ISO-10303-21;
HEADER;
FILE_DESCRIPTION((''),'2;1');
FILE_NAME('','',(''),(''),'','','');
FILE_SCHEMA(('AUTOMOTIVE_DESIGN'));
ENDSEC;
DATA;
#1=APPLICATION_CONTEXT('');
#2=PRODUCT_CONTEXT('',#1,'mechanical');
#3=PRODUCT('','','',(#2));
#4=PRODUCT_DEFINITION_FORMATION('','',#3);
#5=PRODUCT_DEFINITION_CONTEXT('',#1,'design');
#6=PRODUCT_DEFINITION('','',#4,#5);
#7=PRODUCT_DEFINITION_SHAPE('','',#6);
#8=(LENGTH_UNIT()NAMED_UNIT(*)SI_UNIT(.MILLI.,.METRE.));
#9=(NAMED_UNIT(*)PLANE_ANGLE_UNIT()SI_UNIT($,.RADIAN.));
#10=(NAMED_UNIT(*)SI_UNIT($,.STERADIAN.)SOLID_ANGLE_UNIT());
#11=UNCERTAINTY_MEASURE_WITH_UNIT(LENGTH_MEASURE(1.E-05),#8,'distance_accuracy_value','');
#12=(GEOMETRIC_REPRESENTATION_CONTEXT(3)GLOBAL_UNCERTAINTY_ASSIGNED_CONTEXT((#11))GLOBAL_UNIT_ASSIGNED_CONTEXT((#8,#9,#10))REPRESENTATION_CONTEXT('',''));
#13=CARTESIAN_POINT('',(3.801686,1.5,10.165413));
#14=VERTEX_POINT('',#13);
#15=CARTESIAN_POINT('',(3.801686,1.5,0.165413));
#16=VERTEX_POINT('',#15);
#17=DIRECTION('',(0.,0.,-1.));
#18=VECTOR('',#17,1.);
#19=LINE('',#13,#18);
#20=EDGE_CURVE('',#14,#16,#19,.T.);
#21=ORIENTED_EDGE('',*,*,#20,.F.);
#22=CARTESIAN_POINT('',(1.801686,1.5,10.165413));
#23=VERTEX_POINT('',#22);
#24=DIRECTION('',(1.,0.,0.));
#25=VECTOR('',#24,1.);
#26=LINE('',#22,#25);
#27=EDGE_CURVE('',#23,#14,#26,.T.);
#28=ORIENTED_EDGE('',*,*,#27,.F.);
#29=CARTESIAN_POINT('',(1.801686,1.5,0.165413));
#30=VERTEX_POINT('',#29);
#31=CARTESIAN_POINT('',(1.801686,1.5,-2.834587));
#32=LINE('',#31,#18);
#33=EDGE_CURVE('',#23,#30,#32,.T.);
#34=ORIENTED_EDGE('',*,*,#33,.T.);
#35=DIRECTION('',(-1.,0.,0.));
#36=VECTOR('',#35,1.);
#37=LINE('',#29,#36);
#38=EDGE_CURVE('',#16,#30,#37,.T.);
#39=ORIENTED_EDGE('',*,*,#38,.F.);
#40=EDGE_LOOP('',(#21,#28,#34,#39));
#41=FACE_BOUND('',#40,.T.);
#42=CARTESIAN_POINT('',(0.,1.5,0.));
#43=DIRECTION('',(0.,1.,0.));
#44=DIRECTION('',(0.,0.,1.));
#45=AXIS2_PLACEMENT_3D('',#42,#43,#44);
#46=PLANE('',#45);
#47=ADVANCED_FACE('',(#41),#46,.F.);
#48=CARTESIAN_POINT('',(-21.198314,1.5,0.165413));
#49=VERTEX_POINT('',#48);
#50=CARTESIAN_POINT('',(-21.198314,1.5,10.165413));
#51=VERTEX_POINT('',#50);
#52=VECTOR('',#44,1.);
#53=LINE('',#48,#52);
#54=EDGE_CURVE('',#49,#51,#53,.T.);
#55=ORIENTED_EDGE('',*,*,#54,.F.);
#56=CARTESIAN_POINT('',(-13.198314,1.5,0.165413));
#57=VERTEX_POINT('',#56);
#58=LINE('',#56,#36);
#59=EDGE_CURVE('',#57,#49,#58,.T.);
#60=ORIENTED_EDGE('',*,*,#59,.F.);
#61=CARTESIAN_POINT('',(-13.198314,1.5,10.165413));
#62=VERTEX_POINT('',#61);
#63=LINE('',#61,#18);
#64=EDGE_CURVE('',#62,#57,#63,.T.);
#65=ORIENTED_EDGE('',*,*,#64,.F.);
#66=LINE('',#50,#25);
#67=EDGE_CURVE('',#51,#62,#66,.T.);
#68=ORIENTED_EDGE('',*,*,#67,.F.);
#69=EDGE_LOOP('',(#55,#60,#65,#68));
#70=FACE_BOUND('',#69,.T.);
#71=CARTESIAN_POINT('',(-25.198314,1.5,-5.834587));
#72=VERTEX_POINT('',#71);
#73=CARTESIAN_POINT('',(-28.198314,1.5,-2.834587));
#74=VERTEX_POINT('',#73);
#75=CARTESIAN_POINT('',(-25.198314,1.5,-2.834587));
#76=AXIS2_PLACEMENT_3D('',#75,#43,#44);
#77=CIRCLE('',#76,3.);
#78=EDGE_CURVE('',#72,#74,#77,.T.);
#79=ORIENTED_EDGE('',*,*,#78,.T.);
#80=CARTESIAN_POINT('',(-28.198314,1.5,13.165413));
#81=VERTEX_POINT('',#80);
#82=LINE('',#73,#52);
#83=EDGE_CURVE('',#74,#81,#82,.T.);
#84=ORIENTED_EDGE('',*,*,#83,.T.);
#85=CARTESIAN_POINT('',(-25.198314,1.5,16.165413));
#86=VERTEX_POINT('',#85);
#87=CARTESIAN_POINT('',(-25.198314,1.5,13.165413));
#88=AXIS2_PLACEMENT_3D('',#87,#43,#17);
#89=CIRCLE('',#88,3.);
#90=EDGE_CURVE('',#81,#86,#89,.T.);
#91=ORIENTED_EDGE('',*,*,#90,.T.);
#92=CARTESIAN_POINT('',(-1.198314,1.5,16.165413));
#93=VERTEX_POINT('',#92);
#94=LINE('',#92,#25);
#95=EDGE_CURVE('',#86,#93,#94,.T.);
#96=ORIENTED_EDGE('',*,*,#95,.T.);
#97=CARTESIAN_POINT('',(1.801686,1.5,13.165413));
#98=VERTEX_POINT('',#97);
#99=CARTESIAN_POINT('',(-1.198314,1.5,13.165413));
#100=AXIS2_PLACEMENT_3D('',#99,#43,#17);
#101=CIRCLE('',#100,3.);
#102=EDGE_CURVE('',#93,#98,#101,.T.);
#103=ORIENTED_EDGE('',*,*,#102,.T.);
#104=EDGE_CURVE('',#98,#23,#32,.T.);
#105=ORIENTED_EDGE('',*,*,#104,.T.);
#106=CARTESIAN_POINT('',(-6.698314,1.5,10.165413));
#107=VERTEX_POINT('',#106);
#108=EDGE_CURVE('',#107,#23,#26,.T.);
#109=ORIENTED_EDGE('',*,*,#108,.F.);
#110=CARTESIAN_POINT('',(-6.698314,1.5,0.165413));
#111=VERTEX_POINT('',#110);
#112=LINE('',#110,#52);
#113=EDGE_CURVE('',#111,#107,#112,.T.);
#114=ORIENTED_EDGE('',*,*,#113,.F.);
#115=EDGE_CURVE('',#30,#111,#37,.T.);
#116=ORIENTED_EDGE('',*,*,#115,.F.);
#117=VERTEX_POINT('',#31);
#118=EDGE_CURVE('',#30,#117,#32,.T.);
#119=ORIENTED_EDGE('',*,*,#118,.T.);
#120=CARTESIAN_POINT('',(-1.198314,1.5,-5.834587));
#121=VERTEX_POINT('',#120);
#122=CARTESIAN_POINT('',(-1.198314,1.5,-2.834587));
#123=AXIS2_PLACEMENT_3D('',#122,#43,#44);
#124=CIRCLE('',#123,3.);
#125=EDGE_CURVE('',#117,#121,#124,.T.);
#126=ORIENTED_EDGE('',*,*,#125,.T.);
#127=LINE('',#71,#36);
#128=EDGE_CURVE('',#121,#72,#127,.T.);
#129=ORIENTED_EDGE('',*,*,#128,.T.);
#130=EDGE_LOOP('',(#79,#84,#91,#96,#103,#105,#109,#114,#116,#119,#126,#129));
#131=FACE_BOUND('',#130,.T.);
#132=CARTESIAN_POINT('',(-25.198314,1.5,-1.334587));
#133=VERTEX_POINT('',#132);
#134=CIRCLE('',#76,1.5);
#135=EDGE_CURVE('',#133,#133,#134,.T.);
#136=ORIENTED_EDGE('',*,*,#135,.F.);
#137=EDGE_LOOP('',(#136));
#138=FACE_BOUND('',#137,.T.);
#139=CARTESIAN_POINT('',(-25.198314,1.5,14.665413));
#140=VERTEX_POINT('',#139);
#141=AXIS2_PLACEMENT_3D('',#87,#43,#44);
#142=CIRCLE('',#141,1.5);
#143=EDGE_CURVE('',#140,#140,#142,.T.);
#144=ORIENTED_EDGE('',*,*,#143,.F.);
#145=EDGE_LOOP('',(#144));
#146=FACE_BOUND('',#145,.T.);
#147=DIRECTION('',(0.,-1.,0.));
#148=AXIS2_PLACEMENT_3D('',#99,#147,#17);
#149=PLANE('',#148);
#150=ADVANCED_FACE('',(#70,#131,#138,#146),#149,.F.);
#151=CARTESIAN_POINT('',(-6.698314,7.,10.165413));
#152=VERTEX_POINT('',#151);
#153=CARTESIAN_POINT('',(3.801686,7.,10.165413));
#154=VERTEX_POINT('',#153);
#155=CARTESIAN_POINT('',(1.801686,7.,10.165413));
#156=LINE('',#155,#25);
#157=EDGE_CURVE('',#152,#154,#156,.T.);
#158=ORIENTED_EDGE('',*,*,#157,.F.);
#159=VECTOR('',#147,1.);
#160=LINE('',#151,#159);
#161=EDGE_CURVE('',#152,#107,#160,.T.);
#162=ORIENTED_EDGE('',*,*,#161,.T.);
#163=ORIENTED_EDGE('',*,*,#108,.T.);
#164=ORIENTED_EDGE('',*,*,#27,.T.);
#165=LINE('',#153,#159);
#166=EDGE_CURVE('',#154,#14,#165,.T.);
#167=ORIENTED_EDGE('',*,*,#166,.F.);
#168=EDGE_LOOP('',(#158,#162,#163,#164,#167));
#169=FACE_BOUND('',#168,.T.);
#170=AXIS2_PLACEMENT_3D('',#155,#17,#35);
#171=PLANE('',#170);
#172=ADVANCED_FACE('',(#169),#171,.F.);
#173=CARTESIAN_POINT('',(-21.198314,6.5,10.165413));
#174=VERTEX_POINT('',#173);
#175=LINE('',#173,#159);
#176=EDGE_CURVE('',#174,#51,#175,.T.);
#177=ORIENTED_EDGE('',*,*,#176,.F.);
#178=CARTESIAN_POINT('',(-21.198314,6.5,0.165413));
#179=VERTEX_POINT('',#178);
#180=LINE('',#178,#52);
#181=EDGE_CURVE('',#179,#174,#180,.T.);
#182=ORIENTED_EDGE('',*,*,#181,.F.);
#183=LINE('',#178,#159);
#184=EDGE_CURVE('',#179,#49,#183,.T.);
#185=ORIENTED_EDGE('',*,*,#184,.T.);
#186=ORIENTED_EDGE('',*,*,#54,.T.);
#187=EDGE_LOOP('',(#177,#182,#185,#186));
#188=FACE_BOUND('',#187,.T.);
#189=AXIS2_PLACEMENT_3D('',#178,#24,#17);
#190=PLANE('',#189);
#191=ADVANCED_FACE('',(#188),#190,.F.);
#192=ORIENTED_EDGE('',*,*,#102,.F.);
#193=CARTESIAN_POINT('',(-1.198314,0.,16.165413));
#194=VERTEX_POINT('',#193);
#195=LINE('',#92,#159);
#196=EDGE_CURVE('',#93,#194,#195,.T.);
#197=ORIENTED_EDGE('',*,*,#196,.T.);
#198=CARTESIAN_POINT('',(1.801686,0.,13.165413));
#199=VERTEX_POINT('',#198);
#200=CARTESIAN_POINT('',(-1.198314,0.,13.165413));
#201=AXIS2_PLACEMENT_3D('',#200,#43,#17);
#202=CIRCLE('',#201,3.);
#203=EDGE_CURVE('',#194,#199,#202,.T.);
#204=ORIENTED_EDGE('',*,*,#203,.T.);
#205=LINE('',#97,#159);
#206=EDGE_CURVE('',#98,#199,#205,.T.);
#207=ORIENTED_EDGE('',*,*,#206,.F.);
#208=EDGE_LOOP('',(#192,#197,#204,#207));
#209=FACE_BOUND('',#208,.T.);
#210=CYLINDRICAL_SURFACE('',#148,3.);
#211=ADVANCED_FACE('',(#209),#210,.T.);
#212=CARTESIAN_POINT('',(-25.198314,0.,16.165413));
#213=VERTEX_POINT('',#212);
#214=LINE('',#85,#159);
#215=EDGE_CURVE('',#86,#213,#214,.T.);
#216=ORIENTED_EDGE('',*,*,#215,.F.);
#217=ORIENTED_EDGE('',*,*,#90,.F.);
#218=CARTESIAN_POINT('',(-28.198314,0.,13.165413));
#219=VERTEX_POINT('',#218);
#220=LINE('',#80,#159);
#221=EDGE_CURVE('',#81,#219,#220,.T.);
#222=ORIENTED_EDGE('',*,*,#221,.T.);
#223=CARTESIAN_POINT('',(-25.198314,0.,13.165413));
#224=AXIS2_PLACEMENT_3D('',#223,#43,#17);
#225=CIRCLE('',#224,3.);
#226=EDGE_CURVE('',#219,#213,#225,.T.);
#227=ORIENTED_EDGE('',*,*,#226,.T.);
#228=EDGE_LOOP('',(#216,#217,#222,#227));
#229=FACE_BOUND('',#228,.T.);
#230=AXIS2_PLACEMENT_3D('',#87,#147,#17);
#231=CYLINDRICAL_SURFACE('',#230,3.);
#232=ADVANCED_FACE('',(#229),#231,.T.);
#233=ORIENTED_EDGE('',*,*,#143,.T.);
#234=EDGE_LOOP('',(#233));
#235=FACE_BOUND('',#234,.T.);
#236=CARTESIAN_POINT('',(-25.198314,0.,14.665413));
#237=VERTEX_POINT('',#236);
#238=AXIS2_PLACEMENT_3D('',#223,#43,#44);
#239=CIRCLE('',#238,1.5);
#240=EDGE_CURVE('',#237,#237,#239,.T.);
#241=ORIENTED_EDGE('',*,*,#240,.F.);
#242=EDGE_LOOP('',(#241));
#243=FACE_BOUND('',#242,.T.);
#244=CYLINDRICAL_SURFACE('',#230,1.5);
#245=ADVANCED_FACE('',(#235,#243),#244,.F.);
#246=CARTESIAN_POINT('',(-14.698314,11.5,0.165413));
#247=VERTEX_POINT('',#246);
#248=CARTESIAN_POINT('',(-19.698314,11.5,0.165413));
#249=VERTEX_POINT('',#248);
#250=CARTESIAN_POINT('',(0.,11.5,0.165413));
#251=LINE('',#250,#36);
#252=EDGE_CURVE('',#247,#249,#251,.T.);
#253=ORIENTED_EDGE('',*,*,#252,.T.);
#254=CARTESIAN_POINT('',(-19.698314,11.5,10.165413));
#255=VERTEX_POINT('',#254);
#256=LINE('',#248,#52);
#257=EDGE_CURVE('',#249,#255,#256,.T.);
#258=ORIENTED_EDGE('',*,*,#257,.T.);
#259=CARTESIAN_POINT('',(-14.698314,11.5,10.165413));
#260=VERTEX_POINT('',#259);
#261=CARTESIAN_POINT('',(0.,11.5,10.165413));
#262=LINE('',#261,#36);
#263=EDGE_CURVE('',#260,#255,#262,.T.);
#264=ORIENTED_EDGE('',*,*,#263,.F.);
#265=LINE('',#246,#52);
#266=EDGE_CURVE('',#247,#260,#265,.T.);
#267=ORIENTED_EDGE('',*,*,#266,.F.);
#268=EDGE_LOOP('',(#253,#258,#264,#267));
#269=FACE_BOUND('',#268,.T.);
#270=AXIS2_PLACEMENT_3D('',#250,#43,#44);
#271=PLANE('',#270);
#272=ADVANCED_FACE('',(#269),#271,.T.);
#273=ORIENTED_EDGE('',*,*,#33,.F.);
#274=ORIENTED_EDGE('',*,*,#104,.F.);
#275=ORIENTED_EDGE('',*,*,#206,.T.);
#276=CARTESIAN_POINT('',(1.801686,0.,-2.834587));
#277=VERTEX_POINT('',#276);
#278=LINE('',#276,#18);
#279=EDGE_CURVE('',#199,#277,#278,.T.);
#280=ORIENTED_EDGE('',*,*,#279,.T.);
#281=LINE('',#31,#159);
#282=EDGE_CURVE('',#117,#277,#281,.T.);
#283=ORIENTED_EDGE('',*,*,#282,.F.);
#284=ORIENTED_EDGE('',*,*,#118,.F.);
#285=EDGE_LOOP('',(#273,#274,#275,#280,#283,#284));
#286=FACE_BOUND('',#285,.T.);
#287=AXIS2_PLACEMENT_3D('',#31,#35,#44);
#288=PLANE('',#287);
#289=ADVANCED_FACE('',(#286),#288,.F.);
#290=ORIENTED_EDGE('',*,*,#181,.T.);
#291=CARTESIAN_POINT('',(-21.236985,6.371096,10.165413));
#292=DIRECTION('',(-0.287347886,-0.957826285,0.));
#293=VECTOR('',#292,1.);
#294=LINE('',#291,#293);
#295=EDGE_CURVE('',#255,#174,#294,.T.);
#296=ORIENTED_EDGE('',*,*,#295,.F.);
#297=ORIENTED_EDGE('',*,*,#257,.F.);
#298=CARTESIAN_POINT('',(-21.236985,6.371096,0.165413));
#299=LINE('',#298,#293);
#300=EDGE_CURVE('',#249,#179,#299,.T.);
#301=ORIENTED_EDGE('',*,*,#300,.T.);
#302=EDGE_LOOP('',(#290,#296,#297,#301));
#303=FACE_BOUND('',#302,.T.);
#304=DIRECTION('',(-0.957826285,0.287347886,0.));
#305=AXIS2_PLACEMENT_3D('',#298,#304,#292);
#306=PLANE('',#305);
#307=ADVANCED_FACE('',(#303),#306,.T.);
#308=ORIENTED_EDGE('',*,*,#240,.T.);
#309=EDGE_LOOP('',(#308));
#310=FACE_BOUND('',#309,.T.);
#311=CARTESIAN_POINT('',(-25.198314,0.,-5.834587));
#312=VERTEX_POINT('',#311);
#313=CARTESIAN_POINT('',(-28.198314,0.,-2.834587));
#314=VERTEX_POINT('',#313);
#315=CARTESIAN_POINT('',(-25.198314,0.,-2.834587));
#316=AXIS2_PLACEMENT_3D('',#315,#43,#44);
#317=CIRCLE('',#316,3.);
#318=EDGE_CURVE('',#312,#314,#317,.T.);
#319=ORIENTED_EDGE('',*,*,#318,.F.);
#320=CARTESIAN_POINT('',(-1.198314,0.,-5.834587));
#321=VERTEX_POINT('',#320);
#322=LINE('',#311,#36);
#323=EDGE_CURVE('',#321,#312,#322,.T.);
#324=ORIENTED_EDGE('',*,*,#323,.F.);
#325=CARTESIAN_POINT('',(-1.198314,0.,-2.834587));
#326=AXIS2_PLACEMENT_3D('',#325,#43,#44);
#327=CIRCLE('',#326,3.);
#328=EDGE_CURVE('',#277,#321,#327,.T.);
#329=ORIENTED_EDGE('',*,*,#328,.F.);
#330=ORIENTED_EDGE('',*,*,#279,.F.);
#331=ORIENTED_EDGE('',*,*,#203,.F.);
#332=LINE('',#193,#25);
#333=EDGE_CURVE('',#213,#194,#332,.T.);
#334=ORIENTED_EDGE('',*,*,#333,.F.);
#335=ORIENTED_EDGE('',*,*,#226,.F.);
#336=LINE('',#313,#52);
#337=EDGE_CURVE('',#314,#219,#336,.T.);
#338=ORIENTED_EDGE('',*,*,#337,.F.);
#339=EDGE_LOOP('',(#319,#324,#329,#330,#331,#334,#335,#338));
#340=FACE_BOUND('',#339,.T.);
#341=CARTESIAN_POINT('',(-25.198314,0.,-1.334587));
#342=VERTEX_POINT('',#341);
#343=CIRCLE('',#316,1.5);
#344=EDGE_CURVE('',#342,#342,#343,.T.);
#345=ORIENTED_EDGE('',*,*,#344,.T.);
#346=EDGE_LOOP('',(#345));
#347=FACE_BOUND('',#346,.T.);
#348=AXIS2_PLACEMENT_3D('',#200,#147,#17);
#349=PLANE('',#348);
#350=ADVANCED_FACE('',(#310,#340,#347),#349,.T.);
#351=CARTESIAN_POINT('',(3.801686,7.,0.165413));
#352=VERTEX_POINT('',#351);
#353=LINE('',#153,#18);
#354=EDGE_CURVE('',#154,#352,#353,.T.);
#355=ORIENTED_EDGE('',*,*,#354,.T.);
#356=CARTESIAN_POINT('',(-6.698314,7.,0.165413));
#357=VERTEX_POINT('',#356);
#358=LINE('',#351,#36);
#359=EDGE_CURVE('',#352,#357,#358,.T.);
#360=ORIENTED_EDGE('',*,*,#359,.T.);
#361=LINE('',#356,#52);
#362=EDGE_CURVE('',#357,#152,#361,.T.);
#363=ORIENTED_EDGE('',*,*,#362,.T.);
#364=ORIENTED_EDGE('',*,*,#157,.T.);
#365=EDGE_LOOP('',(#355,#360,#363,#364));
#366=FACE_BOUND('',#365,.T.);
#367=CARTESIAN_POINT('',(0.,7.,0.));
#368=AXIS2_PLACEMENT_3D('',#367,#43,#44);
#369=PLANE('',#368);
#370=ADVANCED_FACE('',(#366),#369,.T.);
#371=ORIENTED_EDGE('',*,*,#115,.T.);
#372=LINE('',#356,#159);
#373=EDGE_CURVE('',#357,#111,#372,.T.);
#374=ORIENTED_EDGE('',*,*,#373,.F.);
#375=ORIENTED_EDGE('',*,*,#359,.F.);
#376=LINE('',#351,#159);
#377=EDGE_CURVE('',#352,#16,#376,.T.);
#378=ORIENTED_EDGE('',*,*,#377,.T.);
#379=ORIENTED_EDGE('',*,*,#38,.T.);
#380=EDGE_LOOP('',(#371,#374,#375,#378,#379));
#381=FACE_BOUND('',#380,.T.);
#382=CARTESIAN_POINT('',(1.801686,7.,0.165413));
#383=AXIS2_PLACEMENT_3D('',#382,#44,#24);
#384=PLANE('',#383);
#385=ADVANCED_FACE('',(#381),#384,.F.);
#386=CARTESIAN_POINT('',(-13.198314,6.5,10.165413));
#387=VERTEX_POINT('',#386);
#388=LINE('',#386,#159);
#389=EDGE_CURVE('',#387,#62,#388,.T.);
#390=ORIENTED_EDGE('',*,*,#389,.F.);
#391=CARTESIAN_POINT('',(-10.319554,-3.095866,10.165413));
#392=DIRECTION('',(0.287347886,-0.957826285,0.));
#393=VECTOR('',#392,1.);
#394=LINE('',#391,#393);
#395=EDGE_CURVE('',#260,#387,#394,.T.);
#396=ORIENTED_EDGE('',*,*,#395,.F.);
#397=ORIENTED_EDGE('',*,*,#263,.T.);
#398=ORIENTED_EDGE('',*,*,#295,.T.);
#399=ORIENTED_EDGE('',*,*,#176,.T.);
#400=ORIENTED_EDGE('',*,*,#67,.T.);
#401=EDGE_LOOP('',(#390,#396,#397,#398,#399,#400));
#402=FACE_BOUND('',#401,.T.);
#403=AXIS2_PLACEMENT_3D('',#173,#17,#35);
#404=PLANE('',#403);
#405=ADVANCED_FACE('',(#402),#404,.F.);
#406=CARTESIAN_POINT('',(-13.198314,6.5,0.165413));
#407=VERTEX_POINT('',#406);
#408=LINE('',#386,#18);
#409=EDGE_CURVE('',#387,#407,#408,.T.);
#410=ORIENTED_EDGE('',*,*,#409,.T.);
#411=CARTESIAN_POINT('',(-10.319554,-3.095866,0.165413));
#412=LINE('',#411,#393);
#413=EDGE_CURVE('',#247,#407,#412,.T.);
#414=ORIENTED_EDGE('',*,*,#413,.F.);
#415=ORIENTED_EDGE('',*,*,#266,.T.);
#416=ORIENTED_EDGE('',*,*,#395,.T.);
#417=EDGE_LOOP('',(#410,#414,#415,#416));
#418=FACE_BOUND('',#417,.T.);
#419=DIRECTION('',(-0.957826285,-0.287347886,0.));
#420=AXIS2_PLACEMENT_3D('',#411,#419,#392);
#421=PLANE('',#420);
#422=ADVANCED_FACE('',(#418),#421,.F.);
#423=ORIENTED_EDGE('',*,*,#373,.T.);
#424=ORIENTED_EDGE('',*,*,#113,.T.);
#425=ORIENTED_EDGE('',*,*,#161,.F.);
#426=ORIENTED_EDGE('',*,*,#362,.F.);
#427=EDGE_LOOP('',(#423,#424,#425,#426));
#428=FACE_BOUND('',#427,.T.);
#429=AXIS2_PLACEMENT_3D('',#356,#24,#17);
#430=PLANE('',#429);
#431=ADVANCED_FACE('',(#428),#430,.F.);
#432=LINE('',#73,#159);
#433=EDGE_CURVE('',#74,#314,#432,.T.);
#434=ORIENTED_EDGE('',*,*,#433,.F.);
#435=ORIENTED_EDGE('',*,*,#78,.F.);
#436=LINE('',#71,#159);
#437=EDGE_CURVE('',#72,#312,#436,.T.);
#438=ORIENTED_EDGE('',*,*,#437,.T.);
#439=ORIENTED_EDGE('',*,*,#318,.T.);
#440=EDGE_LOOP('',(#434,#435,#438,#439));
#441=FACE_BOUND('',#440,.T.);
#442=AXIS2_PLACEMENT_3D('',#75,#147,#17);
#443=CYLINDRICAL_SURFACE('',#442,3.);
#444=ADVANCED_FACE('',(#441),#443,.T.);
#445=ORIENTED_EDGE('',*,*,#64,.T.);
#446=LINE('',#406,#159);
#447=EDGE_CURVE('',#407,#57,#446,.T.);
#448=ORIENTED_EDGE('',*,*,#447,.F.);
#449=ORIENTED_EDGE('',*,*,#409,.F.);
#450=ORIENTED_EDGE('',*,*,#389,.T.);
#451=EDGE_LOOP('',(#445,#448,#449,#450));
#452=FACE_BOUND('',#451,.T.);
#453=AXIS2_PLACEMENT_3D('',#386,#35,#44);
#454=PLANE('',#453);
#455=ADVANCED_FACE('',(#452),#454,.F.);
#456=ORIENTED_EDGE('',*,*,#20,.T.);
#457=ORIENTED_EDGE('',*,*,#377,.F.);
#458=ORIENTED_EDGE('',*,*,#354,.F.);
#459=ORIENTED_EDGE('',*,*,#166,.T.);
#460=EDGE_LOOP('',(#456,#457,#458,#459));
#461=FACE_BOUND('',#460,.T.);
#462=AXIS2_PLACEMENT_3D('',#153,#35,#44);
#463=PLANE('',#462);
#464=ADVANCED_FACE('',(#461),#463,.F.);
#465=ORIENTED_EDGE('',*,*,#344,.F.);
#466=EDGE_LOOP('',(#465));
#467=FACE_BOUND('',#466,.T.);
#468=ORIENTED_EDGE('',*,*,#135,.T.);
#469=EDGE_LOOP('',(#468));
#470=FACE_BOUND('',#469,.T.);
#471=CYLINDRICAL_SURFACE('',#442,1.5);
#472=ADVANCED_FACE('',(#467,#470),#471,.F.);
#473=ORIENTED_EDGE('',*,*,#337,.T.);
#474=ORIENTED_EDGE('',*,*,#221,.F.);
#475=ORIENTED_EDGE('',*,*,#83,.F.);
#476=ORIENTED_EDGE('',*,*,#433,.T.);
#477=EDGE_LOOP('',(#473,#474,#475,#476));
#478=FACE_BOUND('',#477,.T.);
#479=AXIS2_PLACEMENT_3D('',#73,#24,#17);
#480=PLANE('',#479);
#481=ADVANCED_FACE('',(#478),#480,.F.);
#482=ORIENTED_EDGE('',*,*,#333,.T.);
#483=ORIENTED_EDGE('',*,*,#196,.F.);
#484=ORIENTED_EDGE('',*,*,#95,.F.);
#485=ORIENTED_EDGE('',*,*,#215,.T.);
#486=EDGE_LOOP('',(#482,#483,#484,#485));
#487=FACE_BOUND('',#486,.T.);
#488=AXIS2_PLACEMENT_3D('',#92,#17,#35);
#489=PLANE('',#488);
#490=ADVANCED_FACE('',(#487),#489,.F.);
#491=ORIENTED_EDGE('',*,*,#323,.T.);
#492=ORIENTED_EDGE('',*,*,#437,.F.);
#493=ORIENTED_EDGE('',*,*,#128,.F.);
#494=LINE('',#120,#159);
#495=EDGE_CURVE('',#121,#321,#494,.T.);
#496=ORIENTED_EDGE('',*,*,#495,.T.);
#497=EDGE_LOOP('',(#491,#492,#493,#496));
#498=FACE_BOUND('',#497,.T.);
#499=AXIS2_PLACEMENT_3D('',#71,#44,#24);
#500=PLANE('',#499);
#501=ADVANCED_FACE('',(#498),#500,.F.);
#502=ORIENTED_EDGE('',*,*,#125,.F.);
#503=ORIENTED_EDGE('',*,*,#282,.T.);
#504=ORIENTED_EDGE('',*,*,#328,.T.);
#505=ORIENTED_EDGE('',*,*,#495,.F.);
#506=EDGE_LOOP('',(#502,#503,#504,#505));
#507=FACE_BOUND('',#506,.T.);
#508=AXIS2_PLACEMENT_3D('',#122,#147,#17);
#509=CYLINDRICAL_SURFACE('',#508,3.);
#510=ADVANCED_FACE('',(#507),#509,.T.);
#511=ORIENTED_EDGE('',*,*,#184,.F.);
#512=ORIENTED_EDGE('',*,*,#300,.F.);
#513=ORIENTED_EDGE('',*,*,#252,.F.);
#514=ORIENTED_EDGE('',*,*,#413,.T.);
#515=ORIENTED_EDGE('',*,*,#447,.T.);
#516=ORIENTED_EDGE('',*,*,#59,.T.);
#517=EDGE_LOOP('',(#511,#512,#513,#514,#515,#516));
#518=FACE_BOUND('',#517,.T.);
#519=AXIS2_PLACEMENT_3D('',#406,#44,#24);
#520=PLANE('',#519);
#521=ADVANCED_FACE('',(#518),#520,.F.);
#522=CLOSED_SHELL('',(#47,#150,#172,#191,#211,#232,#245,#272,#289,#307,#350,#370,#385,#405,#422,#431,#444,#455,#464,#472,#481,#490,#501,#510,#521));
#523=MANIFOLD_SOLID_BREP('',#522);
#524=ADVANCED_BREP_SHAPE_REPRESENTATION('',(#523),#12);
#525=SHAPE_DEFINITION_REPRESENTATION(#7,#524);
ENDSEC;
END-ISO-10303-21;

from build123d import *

# Parameters (mm, degrees)
SKETCH_1_R      = 1.5
EXTRUDE_1_DEPTH = 1.5
EXTRUDE_2_DEPTH = 5.5
SKETCH_3_W      = 8
SKETCH_3_H      = 10
EXTRUDE_3_DEPTH = 5
EXTRUDE_4_DEPTH = 10.000003


with BuildPart() as part:
    # Эскиз1 → Бобышка-Вытянуть1 (new body)
    with BuildSketch(Plane(origin=(0, 0, 0), x_dir=(1, 0, 0), z_dir=(0, 1, 0))):
        with BuildLine():
            Line((-28.198313686, 2.834587413), (-28.198313686, -13.165412587))
            ThreePointArc((-28.198313686, -13.165412587), (-27.31963403, -15.286732931), (-25.198313686, -16.165412587))
            Line((-25.198313686, -16.165412587), (-1.198313686, -16.165412587))
            ThreePointArc((-1.198313686, -16.165412587), (0.923006657, -15.286732931), (1.801686314, -13.165412587))
            Line((1.801686314, -13.165412587), (1.801686314, 2.834587413))
            ThreePointArc((1.801686314, 2.834587413), (0.923006657, 4.955907756), (-1.198313686, 5.834587413))
            Line((-1.198313686, 5.834587413), (-25.198313686, 5.834587413))
            ThreePointArc((-25.198313686, 5.834587413), (-27.31963403, 4.955907756), (-28.198313686, 2.834587413))
        make_face()
        with Locations(Location((-25.198313686, -13.165412587, 0), (0, 0, 270))):
            Circle(SKETCH_1_R, mode=Mode.SUBTRACT)
        with Locations(Location((-25.198313686, 2.834587413, 0), (0, 0, 270))):
            Circle(SKETCH_1_R, mode=Mode.SUBTRACT)
    extrude(amount=EXTRUDE_1_DEPTH)

    # Эскиз2 → Бобышка-Вытянуть2 (add)
    with BuildSketch(Plane(origin=(0, 1.5, 0), x_dir=(1, 0, 0), z_dir=(0, 1, 0))):
        Polygon((1.801686314, -0.165412587), (-6.698313686, -0.165412587), (-6.698313686, -10.165412587), (1.801686314, -10.165412587), (3.801686314, -10.165412587), (3.801686314, -0.165412587), align=None)
    extrude(amount=EXTRUDE_2_DEPTH)

    # Эскиз3 → Бобышка-Вытянуть3 (add)
    with BuildSketch(Plane(origin=(0, 1.5, 0), x_dir=(1, 0, 0), z_dir=(0, 1, 0))):
        with Locations((-17.198313686, -5.165412587)):
            Rectangle(SKETCH_3_W, SKETCH_3_H)
    extrude(amount=EXTRUDE_3_DEPTH)

    # Эскиз4 → Бобышка-Вытянуть4 (add)
    with BuildSketch(Plane.XY.offset(10.165412587)):
        Polygon((-21.198313686, 6.5), (-17.198313686, 6.5), (-17.198313686, 11.5), (-19.698313686, 11.5), align=None)
        Polygon((-17.198313686, 11.5), (-17.198313686, 6.5), (-13.198313686, 6.5), (-14.698313686, 11.5), align=None)
    extrude(amount=-EXTRUDE_4_DEPTH)


solid = part.part
